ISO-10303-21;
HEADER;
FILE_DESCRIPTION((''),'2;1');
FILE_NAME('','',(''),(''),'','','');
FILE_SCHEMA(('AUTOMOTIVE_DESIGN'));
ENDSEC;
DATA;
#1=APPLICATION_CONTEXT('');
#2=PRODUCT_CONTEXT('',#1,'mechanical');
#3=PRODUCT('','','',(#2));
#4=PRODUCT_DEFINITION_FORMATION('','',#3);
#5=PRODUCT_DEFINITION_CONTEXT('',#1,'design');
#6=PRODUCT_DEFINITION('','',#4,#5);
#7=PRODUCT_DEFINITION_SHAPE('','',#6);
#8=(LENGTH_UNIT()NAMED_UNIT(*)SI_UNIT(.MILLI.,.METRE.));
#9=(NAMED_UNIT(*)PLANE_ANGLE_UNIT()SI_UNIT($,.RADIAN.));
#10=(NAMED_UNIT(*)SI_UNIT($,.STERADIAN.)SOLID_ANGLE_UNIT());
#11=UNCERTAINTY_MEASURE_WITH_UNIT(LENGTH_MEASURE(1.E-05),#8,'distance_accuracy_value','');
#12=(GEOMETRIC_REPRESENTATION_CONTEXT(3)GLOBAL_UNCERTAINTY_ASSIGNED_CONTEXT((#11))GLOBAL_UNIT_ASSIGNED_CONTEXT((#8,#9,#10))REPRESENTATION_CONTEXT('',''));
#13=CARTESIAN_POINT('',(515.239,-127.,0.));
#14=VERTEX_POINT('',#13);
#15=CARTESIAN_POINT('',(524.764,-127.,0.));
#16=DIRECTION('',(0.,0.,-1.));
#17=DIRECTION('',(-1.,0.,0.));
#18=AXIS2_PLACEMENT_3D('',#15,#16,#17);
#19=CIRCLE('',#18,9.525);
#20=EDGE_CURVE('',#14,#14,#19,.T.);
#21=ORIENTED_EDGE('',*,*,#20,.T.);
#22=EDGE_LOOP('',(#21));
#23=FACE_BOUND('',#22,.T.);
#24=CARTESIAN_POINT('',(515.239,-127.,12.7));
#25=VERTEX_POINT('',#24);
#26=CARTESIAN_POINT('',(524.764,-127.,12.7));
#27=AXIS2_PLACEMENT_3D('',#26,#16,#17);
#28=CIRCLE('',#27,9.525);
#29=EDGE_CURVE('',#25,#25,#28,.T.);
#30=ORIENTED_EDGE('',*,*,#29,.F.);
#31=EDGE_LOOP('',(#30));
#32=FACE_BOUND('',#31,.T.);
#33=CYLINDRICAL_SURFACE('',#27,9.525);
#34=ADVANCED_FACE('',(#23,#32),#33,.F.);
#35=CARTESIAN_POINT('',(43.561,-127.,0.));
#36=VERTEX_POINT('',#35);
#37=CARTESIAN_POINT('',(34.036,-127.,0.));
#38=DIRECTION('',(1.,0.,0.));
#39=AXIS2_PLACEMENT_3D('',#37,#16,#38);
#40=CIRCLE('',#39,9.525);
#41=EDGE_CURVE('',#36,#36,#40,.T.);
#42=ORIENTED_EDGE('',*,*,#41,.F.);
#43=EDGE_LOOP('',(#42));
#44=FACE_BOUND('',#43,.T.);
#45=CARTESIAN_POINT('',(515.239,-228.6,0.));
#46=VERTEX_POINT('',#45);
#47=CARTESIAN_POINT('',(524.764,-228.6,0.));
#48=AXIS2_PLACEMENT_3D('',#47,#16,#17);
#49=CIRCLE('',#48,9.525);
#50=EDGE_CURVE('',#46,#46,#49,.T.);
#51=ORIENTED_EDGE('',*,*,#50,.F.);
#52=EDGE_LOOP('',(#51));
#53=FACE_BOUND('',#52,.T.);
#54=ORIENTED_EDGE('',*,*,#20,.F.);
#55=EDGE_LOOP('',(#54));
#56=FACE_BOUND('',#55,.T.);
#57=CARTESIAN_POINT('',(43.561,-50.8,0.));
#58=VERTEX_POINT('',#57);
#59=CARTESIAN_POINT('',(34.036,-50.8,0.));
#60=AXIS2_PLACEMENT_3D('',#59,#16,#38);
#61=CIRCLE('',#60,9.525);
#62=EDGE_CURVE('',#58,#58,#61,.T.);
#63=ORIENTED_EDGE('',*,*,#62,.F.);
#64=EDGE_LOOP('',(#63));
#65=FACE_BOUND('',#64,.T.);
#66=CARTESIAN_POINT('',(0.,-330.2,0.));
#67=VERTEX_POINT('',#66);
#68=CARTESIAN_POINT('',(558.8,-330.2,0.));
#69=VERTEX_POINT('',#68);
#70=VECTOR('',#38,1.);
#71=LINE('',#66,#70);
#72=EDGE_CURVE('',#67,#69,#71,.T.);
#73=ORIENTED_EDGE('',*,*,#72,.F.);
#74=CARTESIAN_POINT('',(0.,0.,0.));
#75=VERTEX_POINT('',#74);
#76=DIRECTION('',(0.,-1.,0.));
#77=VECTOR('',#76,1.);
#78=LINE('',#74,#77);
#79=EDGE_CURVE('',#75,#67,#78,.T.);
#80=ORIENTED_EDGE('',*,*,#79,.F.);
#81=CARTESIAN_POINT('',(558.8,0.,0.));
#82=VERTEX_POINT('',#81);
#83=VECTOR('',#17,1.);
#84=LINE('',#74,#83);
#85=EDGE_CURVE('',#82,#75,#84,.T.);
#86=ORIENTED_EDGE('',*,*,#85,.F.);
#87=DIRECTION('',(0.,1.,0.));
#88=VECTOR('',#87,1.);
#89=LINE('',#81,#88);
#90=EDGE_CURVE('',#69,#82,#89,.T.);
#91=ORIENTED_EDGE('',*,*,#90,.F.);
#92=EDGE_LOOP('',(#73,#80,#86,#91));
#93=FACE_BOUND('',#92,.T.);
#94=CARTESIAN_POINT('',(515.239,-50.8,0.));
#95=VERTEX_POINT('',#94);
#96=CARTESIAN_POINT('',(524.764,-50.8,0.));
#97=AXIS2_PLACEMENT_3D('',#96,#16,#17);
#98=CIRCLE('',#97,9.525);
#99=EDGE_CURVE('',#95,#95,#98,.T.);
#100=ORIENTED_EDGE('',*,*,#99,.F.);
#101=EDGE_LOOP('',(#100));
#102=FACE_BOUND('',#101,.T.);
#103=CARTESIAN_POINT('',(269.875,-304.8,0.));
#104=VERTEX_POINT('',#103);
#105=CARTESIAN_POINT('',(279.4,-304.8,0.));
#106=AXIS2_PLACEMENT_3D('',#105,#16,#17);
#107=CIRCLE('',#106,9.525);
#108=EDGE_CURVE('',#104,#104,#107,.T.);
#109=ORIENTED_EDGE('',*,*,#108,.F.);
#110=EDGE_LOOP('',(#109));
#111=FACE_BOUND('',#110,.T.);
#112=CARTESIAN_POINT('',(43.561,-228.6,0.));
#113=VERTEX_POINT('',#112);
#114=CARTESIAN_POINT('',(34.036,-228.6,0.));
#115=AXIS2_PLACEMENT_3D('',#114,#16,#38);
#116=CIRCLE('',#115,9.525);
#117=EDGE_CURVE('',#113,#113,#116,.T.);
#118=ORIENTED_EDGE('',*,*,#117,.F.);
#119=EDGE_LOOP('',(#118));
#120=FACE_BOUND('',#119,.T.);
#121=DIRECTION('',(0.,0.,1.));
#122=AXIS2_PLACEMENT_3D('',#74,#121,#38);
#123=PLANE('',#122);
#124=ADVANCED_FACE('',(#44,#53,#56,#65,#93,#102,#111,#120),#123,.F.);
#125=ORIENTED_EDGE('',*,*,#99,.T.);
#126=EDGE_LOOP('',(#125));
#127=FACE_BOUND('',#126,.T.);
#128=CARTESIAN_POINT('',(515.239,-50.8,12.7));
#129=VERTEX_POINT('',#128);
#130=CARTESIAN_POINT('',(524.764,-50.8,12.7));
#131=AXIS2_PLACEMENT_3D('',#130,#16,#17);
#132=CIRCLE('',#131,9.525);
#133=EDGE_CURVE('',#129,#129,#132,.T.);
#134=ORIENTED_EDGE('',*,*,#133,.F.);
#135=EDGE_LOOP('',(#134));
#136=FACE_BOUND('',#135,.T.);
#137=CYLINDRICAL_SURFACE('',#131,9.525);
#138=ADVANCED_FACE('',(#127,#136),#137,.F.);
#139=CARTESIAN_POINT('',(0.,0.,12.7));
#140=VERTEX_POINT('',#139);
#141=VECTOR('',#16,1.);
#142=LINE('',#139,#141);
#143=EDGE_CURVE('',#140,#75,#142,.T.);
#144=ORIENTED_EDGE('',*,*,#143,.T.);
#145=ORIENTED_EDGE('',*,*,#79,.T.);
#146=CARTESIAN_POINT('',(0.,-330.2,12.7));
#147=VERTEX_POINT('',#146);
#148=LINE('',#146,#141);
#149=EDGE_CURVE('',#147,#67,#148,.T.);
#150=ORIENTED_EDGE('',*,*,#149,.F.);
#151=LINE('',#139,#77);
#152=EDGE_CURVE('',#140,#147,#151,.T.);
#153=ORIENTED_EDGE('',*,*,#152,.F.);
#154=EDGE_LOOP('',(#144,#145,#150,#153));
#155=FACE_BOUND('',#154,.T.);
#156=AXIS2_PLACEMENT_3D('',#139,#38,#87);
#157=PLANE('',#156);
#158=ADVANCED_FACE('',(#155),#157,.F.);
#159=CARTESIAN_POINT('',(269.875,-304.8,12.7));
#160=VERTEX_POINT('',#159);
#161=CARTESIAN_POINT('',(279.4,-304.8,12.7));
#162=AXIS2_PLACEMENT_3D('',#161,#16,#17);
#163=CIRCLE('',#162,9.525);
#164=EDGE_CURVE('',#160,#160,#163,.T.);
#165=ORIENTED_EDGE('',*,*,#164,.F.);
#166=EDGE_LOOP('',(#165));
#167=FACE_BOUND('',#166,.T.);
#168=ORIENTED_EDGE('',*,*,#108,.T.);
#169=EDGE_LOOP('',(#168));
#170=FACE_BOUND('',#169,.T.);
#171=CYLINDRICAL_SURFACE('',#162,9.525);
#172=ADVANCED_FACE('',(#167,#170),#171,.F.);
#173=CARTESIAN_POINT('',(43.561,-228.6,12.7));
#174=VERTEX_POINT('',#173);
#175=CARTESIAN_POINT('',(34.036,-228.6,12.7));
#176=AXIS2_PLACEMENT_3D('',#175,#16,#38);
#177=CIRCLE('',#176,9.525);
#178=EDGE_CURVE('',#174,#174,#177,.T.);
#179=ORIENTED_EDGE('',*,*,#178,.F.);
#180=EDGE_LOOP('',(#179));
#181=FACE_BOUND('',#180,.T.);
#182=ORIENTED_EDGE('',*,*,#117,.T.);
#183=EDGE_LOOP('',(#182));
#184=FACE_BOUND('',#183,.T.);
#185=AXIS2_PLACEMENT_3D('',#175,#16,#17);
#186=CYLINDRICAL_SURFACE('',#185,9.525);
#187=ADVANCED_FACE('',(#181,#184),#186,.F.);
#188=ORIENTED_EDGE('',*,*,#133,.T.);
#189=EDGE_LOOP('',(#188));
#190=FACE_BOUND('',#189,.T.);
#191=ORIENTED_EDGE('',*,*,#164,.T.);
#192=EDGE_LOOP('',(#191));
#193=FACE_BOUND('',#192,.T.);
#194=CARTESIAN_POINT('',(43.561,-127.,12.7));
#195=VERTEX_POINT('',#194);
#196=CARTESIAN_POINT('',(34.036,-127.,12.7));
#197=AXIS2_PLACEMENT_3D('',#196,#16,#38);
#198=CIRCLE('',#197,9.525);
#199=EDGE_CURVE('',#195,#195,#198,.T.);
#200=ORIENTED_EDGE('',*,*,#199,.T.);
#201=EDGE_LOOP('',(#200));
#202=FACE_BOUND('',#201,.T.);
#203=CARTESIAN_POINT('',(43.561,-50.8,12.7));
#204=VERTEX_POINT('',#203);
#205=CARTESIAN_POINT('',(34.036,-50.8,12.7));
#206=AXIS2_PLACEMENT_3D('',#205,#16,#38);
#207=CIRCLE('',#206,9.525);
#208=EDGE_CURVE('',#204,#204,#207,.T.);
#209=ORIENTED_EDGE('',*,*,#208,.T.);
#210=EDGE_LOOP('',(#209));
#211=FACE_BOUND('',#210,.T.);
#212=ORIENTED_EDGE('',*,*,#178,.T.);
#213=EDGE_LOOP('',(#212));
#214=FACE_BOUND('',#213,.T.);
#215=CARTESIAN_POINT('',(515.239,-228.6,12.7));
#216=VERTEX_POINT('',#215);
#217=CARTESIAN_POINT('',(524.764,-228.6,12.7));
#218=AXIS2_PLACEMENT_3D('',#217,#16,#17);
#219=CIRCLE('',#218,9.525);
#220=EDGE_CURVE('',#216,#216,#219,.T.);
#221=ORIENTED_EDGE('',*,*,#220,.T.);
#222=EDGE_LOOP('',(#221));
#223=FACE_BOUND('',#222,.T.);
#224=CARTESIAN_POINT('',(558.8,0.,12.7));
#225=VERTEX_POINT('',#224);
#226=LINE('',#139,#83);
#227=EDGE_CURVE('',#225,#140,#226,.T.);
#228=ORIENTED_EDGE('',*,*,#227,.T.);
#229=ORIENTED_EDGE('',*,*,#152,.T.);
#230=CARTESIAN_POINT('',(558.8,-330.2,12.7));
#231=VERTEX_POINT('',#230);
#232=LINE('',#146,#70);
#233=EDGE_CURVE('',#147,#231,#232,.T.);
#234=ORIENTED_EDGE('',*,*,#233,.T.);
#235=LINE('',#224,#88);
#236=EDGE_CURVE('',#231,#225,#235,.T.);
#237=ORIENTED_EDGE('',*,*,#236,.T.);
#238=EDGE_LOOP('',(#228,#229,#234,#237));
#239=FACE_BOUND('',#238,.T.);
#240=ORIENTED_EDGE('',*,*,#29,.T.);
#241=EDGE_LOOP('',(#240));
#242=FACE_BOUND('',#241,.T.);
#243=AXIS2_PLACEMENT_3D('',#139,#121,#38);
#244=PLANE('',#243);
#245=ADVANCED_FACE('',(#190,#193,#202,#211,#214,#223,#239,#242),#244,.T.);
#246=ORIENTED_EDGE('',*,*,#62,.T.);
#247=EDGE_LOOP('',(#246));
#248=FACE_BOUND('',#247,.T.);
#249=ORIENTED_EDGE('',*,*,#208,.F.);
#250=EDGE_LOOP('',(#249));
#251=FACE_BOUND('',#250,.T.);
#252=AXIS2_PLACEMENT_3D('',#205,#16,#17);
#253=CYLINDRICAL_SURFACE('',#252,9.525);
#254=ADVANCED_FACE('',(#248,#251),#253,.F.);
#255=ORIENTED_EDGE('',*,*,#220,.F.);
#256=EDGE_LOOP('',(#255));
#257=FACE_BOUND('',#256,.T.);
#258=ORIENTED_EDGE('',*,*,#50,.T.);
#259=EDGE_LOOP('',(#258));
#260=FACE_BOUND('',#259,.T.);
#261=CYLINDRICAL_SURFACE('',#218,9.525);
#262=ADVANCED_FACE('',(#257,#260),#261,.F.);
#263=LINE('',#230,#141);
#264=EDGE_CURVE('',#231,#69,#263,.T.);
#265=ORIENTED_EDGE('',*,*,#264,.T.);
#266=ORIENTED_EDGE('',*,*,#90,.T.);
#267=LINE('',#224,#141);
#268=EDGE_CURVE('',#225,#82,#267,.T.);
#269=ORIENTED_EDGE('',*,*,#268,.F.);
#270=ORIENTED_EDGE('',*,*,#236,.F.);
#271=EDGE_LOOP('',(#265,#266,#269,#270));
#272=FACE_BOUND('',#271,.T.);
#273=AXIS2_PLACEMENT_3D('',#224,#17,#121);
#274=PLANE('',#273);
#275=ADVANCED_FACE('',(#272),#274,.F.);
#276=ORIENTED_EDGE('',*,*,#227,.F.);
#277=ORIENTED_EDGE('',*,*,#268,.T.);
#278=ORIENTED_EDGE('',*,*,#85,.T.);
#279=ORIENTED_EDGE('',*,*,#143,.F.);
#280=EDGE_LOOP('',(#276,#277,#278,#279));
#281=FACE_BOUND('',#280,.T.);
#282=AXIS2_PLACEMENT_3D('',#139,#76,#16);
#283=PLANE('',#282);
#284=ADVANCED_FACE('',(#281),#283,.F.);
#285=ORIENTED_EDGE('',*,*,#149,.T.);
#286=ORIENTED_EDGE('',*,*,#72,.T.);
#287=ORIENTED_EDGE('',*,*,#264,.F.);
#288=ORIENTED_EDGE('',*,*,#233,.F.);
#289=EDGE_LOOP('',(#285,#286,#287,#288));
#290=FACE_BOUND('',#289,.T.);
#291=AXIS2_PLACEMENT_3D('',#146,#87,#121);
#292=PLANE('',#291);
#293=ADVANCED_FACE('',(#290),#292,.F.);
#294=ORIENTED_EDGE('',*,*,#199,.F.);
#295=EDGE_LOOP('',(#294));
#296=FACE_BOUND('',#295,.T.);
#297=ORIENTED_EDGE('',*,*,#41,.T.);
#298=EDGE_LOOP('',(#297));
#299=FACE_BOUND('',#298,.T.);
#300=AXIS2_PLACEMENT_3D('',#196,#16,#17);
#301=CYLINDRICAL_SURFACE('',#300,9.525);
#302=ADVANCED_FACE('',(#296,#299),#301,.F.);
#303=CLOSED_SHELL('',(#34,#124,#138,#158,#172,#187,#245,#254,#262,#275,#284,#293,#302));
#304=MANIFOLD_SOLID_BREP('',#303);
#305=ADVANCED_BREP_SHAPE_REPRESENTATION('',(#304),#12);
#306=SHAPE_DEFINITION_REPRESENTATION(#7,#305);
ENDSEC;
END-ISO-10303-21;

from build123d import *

# Parameters (mm, degrees)
SKETCH1_W           = 558.8
SKETCH1_H           = 330.2
BOSS_EXTRUDE1_DEPTH = 12.7
SKETCH4_R           = 9.525
CUT_EXTRUDE1_DEPTH  = 12.7


with BuildPart() as part:
    # Sketch1 → Boss-Extrude1 (new body)
    with BuildSketch(Plane.XY):
        with Locations((279.4, -165.1)):
            Rectangle(SKETCH1_W, SKETCH1_H)
    extrude(amount=BOSS_EXTRUDE1_DEPTH)

    # Sketch4 → Cut-Extrude1 (cut)
    with BuildSketch(Plane(origin=(0, 0, 0), x_dir=(-1, 0, 0), z_dir=(0, 0, -1))):
        with Locations((-279.4, -304.8)):
            Circle(SKETCH4_R)
        with Locations((-524.764, -228.6)):
            Circle(SKETCH4_R)
        with Locations((-524.764, -127)):
            Circle(SKETCH4_R)
        with Locations((-34.036, -228.6)):
            Circle(SKETCH4_R)
        with Locations((-34.036, -127)):
            Circle(SKETCH4_R)
        with Locations((-524.764, -50.8)):
            Circle(SKETCH4_R)
        with Locations((-34.036, -50.8)):
            Circle(SKETCH4_R)
    extrude(amount=-CUT_EXTRUDE1_DEPTH, mode=Mode.SUBTRACT)


solid = part.part
